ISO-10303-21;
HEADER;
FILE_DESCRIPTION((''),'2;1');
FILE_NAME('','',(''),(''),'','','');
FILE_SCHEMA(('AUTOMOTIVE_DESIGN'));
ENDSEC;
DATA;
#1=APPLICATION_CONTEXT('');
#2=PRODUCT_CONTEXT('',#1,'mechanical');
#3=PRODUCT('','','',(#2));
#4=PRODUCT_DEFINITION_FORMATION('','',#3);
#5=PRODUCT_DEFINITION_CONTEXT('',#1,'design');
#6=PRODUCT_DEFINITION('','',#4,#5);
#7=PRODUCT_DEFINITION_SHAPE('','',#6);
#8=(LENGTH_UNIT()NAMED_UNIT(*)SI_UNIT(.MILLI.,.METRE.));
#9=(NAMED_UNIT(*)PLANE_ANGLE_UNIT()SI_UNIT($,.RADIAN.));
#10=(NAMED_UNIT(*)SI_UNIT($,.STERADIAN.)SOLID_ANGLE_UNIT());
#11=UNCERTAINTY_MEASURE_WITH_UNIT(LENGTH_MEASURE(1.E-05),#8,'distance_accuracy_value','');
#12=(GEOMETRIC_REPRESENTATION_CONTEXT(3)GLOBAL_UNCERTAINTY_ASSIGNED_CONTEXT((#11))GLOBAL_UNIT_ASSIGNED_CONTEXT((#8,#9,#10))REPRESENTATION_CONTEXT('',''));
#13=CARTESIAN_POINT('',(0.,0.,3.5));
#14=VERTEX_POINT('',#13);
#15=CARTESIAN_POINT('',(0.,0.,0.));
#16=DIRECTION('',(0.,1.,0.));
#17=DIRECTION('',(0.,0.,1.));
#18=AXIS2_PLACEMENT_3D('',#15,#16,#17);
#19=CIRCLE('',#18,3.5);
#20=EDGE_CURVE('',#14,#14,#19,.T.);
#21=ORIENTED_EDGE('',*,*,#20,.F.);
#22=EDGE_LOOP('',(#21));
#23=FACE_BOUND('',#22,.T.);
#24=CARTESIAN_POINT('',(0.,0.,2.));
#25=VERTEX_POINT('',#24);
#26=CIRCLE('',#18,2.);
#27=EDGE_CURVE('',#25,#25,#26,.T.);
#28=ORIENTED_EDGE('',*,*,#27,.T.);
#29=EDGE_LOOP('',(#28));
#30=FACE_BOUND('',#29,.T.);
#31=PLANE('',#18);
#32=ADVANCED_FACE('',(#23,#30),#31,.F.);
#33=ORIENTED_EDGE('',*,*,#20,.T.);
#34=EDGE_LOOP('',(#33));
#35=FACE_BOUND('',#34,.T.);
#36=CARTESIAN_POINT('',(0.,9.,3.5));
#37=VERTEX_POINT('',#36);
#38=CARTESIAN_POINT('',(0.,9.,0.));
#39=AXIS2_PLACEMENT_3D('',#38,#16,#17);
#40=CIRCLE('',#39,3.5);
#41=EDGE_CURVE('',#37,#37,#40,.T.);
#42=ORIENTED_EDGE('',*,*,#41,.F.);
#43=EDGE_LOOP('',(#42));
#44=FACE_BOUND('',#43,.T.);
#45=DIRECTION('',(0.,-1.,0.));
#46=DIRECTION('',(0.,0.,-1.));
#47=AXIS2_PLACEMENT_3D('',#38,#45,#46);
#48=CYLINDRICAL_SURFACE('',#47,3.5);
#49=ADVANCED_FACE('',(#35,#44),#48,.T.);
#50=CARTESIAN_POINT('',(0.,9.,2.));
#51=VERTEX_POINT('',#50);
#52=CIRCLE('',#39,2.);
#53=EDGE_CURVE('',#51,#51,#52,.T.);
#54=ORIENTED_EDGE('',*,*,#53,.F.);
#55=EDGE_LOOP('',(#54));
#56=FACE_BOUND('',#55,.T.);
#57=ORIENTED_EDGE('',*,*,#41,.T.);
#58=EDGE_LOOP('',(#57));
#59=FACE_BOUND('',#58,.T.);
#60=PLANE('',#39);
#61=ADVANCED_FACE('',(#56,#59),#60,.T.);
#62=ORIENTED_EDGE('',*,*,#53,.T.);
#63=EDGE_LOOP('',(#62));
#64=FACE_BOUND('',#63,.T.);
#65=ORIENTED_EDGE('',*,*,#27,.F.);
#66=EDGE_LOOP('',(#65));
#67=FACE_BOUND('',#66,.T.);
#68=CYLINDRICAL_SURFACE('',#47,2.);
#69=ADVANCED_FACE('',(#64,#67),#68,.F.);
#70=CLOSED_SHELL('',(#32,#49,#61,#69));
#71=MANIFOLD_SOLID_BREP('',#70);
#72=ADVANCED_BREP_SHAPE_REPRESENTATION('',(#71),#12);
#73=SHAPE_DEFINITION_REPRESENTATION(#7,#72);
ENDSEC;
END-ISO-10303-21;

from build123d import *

# Parameters (mm, degrees)
SKETCH1_R           = 3.5
SKETCH1_R_2         = 2
BOSS_EXTRUDE1_DEPTH = 9


with BuildPart() as part:
    # Sketch1 → Boss-Extrude1 (new body)
    with BuildSketch(Plane(origin=(0, 0, 0), x_dir=(1, 0, 0), z_dir=(0, 1, 0))):
        with Locations(Location((0, 0, 0), (0, 0, 270))):
            Circle(SKETCH1_R)
        with Locations(Location((0, 0, 0), (0, 0, 270))):
            Circle(SKETCH1_R_2, mode=Mode.SUBTRACT)
    extrude(amount=BOSS_EXTRUDE1_DEPTH)


solid = part.part
